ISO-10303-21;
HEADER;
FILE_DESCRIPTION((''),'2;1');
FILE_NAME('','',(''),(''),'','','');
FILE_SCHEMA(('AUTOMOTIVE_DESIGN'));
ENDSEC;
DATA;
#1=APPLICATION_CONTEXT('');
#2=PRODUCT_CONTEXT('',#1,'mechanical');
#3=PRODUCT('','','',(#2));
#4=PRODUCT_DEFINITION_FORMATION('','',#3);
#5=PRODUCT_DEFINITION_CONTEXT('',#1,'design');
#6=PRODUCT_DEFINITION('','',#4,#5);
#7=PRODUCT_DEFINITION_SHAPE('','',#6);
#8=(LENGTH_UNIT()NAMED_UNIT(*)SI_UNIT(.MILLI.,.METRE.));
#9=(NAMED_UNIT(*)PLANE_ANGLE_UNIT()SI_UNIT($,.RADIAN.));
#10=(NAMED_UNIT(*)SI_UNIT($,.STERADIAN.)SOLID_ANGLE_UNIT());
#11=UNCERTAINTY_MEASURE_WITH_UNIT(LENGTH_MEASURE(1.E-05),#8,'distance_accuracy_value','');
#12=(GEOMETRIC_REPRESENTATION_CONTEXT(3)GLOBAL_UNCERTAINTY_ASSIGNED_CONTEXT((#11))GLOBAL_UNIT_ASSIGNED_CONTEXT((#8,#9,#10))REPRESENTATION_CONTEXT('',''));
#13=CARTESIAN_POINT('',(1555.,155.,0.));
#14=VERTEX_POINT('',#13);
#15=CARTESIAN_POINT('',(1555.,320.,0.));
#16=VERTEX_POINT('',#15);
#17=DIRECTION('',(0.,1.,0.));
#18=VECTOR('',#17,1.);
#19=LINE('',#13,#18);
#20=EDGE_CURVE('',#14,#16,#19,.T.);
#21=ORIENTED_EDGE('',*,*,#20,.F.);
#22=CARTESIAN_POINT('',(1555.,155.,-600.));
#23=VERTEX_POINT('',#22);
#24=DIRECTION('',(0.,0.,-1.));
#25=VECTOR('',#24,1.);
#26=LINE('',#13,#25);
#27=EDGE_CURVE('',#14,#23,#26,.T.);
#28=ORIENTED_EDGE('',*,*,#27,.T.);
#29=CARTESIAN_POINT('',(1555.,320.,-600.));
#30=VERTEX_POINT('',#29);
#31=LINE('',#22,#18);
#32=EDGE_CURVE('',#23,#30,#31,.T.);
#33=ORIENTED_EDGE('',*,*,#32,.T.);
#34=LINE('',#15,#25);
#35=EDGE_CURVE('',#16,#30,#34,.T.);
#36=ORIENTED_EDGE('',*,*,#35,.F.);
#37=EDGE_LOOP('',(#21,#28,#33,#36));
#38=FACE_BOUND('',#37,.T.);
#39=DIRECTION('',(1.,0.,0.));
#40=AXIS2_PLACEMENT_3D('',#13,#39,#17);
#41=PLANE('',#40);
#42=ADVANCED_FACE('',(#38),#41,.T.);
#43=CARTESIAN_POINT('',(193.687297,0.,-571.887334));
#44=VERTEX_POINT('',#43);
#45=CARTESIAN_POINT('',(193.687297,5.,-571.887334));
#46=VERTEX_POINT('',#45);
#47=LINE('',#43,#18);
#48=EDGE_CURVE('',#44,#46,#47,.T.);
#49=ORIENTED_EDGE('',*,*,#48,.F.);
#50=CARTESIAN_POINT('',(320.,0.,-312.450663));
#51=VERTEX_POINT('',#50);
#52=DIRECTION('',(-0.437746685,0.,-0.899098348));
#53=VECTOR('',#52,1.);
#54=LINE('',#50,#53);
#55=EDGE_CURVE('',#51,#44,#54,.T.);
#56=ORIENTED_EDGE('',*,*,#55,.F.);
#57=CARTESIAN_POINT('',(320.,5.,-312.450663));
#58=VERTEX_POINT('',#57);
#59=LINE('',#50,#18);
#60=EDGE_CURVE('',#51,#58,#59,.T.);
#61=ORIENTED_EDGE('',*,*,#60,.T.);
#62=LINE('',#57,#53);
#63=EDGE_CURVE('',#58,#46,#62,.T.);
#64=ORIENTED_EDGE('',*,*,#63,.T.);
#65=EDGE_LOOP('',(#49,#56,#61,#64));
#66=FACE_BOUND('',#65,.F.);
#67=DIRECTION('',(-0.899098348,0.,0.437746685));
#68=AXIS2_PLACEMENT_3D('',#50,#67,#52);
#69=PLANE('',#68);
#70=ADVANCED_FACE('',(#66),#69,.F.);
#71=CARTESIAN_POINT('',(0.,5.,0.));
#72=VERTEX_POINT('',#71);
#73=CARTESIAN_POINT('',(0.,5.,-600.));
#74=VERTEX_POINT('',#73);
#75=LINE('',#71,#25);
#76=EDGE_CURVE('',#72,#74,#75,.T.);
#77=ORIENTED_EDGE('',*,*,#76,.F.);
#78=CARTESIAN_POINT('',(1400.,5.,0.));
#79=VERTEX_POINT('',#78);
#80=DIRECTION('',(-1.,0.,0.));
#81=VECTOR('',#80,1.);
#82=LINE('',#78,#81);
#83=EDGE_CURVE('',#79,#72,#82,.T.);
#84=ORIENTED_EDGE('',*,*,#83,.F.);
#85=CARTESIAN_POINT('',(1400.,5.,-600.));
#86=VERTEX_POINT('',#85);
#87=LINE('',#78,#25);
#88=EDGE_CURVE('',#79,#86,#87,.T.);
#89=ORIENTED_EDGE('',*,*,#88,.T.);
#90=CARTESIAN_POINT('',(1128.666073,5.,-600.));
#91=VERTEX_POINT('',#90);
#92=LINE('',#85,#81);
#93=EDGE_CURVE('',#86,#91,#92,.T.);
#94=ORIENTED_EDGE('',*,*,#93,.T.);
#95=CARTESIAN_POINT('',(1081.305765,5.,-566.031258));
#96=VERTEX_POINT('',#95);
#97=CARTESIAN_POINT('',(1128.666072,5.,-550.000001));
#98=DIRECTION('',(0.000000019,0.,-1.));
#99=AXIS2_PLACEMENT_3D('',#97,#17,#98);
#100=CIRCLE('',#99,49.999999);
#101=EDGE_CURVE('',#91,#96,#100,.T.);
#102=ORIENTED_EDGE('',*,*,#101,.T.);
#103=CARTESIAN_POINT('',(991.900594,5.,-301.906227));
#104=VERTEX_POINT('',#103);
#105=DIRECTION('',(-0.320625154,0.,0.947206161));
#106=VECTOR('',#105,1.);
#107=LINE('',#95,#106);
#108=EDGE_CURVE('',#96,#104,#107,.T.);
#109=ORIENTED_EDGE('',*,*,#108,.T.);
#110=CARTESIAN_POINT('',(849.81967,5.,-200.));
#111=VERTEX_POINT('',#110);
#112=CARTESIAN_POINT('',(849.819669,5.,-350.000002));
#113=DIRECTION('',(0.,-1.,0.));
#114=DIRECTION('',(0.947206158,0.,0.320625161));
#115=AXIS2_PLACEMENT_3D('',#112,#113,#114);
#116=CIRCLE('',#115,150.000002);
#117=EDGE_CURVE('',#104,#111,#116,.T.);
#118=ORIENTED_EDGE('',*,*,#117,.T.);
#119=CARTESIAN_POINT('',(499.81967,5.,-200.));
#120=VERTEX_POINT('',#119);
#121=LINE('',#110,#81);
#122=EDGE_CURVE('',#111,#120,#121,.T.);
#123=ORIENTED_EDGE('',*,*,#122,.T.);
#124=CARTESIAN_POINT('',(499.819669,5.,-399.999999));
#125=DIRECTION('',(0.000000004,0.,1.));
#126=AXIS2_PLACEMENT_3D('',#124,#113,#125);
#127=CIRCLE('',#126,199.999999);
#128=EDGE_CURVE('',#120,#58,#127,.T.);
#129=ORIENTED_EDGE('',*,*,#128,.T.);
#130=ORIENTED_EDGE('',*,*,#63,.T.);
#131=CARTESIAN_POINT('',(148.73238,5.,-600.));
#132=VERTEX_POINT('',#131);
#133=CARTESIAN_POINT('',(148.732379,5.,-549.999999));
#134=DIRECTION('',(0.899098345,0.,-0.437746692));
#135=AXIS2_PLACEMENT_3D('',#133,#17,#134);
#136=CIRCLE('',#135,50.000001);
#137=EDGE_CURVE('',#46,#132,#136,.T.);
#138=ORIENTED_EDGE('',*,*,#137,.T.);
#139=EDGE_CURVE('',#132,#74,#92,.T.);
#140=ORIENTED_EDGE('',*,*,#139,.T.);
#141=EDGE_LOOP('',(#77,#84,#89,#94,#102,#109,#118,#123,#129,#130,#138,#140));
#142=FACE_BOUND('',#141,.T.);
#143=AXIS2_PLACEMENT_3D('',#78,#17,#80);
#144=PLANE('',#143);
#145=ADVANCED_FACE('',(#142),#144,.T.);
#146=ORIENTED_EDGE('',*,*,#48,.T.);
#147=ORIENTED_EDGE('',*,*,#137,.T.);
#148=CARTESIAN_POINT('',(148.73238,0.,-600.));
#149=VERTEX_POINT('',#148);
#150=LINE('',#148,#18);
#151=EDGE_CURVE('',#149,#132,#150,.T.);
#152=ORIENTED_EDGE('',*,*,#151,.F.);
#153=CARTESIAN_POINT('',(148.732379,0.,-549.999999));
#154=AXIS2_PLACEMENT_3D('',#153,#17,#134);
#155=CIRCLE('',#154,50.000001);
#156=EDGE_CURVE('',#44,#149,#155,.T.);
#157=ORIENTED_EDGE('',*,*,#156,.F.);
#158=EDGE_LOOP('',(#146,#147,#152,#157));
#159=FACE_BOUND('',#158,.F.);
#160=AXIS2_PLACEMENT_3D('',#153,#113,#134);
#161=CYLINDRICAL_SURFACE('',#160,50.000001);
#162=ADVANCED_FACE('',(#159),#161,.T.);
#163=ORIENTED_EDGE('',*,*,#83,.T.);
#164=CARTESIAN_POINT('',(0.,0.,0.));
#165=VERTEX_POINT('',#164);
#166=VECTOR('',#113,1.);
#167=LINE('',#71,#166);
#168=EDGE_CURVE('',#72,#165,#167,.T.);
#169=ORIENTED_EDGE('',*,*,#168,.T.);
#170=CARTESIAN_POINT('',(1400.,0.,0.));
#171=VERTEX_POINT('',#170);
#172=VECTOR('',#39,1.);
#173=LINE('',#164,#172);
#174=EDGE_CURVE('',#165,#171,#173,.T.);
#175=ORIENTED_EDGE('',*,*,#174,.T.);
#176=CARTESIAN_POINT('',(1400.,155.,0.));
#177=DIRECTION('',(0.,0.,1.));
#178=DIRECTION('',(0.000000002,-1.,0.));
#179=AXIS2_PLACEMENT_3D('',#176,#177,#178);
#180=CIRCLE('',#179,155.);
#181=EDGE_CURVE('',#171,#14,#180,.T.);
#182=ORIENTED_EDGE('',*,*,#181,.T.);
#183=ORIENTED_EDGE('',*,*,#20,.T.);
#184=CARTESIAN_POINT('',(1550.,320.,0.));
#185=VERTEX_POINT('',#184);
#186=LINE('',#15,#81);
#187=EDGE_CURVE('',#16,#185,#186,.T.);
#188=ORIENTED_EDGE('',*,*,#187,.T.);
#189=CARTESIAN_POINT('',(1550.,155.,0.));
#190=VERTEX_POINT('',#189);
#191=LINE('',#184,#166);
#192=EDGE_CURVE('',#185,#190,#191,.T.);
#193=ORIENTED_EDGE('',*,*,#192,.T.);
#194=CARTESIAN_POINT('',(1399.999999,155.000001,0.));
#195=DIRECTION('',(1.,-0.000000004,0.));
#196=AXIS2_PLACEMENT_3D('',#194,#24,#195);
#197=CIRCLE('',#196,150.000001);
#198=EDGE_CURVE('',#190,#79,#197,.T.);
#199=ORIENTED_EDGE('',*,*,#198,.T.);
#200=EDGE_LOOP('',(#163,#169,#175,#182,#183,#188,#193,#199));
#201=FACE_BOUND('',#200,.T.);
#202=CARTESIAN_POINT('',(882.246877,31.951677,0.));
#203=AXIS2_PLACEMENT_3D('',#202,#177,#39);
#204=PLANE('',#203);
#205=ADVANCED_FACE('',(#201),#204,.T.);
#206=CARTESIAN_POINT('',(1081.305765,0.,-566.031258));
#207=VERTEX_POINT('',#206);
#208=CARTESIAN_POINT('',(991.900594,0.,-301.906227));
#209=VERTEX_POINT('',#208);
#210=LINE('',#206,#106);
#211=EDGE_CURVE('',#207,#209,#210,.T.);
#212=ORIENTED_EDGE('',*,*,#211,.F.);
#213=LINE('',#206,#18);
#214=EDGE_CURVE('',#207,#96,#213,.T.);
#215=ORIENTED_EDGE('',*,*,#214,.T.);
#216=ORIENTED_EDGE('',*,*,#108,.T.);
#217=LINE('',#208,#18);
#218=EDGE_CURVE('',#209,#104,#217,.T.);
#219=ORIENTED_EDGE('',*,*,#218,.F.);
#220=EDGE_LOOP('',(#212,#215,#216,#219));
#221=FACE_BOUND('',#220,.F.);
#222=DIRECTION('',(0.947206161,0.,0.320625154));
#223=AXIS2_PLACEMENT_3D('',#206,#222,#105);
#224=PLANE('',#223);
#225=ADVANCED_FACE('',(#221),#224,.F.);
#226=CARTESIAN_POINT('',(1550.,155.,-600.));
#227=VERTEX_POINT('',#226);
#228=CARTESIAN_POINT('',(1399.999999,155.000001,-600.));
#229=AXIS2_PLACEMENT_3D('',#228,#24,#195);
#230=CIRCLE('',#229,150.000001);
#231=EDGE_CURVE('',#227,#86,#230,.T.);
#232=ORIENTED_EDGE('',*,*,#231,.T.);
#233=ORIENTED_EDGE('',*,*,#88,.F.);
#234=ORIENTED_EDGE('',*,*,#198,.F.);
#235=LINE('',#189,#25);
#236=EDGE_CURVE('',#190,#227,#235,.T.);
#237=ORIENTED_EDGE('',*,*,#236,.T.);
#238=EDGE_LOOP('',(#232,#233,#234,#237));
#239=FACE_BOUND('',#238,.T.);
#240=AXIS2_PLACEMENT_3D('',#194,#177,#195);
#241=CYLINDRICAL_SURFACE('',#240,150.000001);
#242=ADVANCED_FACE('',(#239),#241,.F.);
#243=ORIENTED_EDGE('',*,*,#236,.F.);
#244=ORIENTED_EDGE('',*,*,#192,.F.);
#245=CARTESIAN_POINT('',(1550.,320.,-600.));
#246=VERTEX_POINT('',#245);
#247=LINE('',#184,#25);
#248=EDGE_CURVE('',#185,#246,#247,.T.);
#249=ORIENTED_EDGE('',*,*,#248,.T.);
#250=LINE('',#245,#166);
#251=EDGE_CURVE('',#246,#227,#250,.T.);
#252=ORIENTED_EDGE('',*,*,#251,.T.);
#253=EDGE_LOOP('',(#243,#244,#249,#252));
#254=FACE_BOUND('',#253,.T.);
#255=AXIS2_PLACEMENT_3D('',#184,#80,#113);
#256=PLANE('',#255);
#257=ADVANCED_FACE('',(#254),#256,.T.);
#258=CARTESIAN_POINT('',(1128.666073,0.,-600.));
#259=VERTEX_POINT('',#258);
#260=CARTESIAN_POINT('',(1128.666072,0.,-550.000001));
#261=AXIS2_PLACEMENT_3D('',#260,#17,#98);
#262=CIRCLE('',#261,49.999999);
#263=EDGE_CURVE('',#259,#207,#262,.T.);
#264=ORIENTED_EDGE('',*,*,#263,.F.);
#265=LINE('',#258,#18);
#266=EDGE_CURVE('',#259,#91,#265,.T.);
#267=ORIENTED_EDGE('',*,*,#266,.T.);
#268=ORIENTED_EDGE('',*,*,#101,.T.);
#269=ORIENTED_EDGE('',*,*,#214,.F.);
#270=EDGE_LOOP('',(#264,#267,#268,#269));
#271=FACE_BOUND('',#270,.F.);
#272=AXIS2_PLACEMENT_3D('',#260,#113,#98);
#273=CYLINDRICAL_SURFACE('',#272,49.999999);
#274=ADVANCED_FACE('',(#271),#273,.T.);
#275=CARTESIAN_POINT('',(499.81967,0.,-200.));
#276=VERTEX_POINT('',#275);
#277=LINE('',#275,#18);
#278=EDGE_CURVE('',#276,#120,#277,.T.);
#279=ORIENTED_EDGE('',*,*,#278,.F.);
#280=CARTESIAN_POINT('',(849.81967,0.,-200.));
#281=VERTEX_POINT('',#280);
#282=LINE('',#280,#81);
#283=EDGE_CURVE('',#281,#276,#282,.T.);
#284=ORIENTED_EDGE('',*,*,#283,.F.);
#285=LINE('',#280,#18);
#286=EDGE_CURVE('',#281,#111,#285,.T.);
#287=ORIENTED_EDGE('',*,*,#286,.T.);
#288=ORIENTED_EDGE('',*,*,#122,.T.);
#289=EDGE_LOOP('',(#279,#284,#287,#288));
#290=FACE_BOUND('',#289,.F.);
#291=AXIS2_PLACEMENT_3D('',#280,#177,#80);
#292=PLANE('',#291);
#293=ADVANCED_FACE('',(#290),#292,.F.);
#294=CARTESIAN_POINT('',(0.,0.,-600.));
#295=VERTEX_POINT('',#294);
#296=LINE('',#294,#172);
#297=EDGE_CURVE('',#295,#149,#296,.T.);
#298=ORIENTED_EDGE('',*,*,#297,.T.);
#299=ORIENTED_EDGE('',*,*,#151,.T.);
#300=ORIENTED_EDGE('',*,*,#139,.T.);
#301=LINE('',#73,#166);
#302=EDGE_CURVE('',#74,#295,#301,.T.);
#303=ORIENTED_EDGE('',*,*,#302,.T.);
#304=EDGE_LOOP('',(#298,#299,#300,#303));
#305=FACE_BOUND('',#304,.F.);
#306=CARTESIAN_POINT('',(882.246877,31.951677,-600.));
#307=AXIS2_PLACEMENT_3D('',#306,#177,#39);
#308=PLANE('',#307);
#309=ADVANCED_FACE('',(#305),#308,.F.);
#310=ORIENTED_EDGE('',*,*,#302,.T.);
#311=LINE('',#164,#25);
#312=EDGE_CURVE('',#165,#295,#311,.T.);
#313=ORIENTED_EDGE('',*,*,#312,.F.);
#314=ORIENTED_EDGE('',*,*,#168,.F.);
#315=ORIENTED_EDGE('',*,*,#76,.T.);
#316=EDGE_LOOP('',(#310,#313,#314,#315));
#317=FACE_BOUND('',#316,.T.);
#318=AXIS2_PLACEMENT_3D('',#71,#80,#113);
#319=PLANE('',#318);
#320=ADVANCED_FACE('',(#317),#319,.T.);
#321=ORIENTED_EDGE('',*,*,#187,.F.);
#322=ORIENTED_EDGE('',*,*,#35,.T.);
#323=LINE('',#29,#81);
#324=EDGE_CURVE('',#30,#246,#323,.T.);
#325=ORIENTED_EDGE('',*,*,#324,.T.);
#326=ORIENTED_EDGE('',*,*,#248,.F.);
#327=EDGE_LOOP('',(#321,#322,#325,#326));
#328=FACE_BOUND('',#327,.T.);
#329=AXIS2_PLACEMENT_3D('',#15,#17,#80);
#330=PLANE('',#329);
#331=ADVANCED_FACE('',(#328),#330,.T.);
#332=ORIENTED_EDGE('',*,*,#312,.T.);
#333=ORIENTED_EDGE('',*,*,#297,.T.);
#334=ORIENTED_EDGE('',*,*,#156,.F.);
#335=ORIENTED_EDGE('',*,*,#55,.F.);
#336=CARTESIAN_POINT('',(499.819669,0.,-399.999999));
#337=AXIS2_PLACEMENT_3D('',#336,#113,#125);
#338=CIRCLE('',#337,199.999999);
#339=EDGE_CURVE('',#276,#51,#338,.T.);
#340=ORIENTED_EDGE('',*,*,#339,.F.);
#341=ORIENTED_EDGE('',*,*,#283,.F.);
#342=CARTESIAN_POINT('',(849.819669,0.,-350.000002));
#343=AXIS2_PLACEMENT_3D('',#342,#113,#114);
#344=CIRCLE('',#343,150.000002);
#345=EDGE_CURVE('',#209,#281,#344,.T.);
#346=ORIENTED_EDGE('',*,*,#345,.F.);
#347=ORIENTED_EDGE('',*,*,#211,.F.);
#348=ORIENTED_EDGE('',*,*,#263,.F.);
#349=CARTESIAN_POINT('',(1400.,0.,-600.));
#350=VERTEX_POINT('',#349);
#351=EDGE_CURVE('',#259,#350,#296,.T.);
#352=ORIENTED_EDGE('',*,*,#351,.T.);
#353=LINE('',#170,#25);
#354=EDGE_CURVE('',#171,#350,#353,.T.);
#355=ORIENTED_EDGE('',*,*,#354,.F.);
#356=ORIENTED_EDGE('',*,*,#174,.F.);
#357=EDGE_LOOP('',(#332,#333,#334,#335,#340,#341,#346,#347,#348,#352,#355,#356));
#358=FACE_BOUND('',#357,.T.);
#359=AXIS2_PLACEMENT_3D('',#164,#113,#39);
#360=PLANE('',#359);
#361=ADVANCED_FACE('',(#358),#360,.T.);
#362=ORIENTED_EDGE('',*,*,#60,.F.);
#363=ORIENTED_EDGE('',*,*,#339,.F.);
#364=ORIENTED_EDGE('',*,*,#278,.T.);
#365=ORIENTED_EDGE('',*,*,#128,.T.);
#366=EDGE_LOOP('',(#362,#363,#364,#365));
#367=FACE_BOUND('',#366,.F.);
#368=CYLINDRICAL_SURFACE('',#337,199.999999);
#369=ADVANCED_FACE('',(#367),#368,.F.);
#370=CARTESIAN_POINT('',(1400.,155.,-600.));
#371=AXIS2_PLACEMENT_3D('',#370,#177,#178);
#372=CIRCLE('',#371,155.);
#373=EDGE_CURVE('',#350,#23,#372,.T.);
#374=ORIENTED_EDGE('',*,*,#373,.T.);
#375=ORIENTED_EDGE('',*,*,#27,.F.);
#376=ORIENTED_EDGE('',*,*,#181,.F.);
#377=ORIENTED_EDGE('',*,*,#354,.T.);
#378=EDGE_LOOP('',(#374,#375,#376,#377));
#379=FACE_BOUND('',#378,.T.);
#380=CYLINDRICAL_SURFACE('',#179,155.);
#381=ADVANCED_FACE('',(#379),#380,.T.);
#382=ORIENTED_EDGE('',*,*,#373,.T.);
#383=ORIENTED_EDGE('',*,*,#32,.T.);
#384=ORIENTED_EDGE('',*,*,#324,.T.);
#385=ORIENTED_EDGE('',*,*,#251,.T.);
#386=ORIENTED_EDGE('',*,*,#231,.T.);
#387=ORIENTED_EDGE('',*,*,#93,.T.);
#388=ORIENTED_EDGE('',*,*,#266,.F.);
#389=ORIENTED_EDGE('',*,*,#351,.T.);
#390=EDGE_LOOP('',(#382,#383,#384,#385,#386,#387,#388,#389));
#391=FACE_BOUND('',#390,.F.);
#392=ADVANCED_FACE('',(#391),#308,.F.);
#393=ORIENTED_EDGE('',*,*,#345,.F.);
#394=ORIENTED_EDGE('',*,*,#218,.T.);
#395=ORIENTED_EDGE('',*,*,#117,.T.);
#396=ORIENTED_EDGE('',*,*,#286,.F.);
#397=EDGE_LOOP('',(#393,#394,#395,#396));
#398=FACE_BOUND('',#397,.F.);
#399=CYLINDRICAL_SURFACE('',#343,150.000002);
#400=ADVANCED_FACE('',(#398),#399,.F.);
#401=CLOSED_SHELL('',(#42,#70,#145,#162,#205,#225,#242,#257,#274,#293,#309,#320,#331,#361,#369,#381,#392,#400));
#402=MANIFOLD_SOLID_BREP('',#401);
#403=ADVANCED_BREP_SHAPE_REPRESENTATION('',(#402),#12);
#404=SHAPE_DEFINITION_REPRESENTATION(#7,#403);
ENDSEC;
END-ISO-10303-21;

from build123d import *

# Parameters (mm, degrees)
F1_DEPTH = 600
F3_DEPTH = 5


with BuildPart() as f1:
    # F0 (on Top) → F1 (new body)
    with BuildSketch(Plane.XY):
        with BuildLine():
            Line((0, 5), (0, 0))
            Line((0, 0), (1400, 0))
            ThreePointArc((1400, 0), (1509.601551, 45.398449), (1555, 155))
            Line((1555, 155), (1555, 320))
            Line((1555, 320), (1550, 320))
            Line((1550, 320), (1550, 155))
            ThreePointArc((1550, 155), (1506.066017, 48.933983), (1400, 5))
            Line((1400, 5), (0, 5))
        make_face()
    extrude(amount=-F1_DEPTH)

    # F2 (on face) → F3 (cut)
    with BuildSketch(Plane.XZ):
        with BuildLine():
            Line((320, -312.450663), (193.687297, -571.887334))
            ThreePointArc((193.687297, -571.887334), (175.243069, -592.393199), (148.73238, -600))
            Line((148.73238, -600), (1128.666073, -600))
            ThreePointArc((1128.666073, -600), (1099.524718, -590.62981), (1081.305765, -566.031258))
            Line((1081.305765, -566.031258), (991.900594, -301.906227))
            ThreePointArc((991.900594, -301.906227), (937.243734, -228.110571), (849.81967, -200))
            Line((849.81967, -200), (499.81967, -200))
            ThreePointArc((499.81967, -200), (393.776913, -230.427202), (320, -312.450663))
        make_face()
    extrude(amount=-F3_DEPTH, mode=Mode.SUBTRACT)


solid = f1.part
